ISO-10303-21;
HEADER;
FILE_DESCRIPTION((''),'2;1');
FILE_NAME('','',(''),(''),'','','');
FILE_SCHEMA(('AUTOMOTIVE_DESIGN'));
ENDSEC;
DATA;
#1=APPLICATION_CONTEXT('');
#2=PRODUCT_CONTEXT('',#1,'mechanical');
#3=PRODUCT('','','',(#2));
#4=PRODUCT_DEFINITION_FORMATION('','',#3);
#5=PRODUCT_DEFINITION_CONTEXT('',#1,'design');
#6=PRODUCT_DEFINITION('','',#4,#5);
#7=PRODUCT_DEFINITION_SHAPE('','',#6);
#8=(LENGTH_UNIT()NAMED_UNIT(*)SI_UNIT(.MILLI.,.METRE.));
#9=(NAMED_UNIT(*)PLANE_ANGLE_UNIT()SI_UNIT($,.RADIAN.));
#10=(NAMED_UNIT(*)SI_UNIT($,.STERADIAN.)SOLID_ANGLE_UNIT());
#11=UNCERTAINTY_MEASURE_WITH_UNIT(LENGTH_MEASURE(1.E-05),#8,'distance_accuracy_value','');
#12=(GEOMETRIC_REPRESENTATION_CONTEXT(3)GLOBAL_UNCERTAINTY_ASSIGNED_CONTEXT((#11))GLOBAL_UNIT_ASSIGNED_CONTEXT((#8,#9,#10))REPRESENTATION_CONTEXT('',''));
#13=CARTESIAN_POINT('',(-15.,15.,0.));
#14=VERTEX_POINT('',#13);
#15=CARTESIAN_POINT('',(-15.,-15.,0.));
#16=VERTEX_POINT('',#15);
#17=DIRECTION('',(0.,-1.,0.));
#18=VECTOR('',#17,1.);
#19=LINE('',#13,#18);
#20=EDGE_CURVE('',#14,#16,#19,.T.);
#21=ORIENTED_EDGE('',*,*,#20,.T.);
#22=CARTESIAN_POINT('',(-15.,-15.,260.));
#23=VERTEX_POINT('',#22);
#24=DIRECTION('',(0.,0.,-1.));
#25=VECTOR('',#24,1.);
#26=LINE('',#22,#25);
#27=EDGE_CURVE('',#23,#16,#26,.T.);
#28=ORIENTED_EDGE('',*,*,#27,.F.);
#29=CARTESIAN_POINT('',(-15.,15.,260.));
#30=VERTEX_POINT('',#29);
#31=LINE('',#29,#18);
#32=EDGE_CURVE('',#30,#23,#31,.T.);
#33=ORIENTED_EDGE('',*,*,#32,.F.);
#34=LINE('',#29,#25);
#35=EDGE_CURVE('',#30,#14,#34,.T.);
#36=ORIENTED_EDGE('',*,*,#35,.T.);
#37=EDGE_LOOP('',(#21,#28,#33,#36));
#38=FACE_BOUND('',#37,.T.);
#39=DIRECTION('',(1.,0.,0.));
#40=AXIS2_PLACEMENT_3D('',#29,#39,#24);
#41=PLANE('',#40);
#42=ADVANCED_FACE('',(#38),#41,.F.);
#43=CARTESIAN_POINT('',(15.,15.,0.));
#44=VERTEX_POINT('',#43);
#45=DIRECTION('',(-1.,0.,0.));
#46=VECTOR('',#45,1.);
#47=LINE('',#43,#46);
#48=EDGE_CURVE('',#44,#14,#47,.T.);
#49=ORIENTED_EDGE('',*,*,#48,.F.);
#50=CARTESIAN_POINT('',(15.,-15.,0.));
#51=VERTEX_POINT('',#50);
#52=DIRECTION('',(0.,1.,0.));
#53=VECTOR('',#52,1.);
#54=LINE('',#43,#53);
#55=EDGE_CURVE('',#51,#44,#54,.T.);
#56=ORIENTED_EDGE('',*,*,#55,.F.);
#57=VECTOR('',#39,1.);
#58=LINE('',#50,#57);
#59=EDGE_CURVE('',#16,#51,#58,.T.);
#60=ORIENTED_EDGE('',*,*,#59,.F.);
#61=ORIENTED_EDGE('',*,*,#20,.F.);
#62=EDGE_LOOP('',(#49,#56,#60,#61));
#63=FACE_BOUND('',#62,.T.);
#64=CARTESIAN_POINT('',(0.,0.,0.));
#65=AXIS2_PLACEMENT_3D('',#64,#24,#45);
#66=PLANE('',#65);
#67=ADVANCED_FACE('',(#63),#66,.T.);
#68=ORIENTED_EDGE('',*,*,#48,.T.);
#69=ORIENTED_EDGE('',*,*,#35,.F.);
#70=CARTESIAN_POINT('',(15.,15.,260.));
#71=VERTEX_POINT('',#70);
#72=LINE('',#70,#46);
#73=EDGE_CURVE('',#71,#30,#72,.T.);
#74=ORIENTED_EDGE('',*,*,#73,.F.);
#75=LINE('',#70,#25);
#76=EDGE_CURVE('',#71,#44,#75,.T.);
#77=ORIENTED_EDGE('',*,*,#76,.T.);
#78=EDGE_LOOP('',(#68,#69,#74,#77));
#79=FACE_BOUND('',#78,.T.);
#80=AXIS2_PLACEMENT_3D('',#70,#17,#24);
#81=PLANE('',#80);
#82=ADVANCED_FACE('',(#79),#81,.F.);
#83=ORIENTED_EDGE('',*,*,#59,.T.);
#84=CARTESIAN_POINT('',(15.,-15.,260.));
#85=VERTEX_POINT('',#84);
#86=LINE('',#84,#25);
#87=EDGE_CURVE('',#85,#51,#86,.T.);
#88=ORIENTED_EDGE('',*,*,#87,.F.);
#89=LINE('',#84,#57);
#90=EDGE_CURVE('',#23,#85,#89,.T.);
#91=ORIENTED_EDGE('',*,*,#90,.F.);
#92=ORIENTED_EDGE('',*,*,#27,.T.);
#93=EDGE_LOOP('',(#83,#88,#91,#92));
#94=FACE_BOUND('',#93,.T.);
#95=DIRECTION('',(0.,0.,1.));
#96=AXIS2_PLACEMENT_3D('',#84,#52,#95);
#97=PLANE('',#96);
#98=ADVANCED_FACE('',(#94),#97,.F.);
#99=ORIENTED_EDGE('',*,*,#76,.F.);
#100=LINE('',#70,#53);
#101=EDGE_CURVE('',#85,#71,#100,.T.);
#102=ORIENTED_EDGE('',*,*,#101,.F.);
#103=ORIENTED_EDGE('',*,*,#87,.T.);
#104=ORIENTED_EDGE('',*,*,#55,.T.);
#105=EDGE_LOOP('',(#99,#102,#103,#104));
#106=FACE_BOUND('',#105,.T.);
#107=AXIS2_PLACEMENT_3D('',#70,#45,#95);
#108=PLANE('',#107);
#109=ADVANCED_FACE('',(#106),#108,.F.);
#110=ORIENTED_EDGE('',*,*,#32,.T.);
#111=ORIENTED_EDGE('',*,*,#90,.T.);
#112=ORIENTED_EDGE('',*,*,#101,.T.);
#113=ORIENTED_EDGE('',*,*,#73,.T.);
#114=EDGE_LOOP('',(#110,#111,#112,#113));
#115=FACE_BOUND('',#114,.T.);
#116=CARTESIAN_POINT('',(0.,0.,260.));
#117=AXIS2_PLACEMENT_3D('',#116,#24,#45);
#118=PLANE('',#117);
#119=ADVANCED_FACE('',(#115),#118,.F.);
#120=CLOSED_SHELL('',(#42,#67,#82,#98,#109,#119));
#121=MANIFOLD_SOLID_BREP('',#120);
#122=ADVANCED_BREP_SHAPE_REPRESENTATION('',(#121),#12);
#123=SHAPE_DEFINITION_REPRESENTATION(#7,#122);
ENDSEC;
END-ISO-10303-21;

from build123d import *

# Parameters (mm, degrees)
SKETCH_1_W      = 30
SKETCH_1_H      = 30
EXTRUDE_1_DEPTH = 260


with BuildPart() as part:
    # 草圖1 → 填料-伸長1 (new body)
    with BuildSketch(Plane.XY):
        Rectangle(SKETCH_1_W, SKETCH_1_H)
    extrude(amount=EXTRUDE_1_DEPTH)


solid = part.part
